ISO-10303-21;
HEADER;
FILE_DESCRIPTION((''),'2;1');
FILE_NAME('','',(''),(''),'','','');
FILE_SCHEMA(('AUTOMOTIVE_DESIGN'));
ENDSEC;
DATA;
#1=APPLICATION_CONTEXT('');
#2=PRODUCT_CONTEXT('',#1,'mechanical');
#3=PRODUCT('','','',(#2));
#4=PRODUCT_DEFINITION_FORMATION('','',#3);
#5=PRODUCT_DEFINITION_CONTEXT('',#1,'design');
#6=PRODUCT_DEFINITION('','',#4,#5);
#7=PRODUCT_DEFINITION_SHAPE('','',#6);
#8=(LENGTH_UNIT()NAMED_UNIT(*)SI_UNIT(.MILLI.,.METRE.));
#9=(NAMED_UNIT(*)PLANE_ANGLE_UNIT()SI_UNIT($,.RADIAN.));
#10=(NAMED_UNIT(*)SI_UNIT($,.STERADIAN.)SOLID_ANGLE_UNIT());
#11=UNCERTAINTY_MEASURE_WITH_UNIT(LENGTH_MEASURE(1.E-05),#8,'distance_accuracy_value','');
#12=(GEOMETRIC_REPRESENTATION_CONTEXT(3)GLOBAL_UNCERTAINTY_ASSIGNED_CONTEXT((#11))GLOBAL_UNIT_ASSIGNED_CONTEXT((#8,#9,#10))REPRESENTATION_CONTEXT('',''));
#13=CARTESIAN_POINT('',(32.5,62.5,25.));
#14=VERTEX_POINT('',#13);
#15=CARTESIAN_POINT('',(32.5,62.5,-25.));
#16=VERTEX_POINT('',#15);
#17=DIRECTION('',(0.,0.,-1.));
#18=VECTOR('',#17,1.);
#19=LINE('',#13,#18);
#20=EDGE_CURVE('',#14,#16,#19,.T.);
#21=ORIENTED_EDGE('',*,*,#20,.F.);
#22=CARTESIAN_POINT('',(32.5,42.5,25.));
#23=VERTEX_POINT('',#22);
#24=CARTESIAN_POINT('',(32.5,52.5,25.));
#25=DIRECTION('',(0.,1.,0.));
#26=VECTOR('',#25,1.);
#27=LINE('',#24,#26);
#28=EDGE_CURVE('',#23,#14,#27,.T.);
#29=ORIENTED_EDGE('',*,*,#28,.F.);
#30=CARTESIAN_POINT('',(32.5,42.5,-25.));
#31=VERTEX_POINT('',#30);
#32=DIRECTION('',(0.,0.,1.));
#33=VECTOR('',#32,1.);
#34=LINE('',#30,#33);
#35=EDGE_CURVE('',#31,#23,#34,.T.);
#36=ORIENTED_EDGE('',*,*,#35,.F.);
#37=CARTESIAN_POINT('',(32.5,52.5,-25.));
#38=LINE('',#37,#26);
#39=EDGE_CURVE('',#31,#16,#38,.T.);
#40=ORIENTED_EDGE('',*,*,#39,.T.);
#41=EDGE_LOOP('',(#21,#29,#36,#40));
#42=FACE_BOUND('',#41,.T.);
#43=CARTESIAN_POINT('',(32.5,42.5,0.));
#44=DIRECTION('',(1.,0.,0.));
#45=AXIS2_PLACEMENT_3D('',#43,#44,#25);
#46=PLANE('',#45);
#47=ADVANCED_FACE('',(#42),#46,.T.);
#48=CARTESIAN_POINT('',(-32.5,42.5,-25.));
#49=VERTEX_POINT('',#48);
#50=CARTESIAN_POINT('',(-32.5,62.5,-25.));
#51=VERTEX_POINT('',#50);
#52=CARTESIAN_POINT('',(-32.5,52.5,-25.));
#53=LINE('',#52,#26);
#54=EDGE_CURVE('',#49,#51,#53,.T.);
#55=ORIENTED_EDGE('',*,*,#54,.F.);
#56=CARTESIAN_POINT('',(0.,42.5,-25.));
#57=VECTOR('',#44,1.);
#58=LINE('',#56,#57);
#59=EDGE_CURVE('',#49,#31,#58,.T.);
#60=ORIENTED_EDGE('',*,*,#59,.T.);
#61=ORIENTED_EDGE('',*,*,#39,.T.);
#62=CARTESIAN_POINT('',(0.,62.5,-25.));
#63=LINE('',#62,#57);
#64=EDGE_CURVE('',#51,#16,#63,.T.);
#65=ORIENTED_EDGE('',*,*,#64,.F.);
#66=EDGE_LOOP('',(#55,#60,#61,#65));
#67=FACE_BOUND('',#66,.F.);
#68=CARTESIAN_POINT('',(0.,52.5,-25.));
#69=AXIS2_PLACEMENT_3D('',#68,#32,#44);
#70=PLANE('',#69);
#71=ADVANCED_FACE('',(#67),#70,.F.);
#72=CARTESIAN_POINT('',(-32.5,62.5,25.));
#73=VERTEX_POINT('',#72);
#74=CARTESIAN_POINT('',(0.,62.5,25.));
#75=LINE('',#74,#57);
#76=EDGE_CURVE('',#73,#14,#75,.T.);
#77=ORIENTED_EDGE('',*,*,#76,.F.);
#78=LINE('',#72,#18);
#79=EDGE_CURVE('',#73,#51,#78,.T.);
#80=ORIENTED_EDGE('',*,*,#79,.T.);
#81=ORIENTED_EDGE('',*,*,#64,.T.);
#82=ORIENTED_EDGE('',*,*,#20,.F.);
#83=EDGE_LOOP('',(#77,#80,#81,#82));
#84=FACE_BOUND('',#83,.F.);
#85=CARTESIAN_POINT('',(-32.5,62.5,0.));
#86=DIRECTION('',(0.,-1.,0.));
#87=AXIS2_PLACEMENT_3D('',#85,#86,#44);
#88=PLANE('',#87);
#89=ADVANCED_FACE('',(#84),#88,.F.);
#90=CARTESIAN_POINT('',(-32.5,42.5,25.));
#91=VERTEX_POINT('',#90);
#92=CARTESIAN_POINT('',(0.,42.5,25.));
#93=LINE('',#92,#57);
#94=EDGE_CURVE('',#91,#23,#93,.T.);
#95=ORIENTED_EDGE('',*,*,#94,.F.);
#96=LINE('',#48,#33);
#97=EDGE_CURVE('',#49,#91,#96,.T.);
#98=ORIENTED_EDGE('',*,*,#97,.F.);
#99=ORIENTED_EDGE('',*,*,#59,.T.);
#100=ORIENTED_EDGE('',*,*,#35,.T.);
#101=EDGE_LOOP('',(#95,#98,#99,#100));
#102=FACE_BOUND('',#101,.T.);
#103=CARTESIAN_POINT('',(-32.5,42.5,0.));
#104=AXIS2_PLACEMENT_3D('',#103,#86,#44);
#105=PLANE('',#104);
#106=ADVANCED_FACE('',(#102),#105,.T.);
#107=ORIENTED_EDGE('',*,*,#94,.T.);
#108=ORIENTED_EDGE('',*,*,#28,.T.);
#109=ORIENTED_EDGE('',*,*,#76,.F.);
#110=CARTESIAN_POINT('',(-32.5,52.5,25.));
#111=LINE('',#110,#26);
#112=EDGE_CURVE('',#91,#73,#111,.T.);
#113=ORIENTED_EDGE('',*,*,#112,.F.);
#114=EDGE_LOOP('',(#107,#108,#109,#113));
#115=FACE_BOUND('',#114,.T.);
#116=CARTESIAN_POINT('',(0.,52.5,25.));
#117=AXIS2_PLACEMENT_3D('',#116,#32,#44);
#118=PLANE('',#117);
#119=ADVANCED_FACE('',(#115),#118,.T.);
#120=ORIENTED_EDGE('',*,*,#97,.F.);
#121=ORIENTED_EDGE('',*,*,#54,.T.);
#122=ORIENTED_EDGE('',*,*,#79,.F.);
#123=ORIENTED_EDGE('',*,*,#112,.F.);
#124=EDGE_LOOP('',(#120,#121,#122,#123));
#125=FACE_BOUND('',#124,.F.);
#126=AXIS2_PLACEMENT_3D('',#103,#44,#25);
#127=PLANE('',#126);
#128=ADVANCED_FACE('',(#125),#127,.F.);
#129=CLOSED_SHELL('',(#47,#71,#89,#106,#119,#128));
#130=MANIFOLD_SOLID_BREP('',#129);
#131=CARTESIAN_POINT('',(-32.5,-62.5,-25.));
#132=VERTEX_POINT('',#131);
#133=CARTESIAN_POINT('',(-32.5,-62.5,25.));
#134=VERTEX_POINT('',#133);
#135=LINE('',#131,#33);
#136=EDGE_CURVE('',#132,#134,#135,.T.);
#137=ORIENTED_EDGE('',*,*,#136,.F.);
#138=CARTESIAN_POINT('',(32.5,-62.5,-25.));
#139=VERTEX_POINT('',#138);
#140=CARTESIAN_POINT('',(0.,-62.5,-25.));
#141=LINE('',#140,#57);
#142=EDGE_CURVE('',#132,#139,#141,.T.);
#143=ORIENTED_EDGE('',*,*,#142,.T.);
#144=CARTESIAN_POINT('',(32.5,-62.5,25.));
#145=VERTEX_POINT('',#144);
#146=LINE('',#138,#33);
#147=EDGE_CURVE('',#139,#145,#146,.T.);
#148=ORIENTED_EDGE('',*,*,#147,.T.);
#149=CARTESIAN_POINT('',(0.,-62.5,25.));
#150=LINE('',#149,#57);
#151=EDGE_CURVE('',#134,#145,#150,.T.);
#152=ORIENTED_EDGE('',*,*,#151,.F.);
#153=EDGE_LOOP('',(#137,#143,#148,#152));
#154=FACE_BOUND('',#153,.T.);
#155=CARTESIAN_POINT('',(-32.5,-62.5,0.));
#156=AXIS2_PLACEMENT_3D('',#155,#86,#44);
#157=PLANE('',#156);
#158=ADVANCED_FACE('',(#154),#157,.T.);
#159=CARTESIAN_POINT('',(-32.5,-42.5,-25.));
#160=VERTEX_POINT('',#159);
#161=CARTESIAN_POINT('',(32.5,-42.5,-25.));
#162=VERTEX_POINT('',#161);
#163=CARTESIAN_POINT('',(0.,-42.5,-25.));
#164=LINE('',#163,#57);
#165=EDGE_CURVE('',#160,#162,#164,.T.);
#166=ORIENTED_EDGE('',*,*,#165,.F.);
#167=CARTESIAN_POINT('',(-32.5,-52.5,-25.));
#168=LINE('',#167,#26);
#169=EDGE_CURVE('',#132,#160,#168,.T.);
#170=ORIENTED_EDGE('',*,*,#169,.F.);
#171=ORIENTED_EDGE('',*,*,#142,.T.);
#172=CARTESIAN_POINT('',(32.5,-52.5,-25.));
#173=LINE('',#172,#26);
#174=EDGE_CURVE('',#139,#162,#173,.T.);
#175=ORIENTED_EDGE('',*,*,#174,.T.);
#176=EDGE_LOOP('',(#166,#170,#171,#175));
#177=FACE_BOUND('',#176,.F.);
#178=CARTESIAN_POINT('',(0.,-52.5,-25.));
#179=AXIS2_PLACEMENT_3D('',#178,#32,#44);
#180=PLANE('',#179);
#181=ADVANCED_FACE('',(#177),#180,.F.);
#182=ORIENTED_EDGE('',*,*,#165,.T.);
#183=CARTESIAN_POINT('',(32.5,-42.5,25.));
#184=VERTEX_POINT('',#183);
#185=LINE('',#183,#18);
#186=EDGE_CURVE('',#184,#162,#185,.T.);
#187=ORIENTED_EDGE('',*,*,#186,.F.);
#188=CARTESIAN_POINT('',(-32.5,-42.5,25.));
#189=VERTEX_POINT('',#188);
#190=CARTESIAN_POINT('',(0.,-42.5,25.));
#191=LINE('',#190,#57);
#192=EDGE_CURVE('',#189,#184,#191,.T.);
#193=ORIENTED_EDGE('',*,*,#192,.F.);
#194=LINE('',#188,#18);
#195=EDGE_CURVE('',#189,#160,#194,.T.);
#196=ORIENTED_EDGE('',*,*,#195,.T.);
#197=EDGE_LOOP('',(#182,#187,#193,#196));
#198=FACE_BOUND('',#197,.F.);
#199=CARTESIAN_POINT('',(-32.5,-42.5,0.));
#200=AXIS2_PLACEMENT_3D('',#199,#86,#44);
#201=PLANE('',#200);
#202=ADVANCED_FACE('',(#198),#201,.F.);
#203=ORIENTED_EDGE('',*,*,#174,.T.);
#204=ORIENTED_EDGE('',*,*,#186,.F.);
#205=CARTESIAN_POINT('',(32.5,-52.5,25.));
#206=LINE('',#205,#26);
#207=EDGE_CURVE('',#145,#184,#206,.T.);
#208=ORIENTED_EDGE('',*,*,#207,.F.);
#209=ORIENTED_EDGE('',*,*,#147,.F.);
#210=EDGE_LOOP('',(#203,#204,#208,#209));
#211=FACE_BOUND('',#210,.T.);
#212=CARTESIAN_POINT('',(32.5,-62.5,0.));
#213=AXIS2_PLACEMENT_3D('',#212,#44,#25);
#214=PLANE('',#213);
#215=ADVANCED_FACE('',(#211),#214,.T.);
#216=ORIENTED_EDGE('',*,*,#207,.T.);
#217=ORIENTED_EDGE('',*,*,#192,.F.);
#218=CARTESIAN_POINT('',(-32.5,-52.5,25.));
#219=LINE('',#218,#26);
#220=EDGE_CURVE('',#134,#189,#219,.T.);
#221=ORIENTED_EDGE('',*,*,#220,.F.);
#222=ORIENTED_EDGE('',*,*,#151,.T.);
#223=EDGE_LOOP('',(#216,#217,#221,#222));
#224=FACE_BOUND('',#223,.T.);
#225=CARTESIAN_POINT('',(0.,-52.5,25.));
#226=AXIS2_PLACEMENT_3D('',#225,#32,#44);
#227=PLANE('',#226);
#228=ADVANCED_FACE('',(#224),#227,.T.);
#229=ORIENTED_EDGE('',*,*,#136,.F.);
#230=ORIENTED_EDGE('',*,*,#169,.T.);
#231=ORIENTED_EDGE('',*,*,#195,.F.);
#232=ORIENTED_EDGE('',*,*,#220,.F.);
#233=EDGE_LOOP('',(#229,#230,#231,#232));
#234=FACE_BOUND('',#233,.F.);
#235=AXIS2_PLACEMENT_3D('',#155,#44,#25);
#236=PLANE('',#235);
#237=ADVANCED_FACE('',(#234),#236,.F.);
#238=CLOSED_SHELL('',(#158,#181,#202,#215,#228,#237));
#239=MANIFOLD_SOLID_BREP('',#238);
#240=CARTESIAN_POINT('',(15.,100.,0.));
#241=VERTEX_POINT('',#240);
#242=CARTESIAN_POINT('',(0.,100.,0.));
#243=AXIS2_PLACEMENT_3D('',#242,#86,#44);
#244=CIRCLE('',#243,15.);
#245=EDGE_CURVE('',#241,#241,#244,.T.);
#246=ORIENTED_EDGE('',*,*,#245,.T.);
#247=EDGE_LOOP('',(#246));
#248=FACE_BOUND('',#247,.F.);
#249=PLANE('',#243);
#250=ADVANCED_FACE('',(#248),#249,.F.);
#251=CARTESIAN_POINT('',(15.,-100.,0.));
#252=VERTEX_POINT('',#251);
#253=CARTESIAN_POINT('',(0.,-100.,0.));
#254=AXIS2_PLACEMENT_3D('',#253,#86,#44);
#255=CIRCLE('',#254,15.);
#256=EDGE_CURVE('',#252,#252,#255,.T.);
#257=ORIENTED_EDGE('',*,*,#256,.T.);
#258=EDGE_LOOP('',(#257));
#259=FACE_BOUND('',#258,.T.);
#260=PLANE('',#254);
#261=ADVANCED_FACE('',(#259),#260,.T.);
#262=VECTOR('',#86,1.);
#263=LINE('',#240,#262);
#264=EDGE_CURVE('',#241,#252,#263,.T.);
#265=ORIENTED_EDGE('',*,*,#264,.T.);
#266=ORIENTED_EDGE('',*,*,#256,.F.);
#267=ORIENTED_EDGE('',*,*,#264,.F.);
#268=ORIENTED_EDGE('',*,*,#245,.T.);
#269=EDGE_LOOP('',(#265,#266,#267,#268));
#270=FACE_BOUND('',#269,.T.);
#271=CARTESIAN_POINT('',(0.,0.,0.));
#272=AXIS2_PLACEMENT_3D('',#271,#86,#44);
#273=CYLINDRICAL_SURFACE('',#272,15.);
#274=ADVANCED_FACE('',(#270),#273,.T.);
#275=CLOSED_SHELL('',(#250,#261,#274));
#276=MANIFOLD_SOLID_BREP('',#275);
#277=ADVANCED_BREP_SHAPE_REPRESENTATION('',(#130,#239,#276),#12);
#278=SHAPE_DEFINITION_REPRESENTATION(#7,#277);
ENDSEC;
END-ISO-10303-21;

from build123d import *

# Parameters (mm, degrees)
F0_R          = 15
F1_DEPTH      = 100
F2_W          = 65
F2_H          = 20
F3_DEPTH      = 25
F3_DEPTH_BACK = 25


with BuildPart() as f1:
    # F0 (on Front) → F1 (new body, symmetric)
    with BuildSketch(Plane.XZ):
        Circle(F0_R)
    extrude(amount=F1_DEPTH, both=True)


with BuildPart() as f3:
    # F2 (on Top) → F3 (new body, two sides)
    with BuildSketch(Plane.XY) as f3_sk:
        with Locations((0, 52.5)):
            Rectangle(F2_W, F2_H)
        with Locations((0, -52.5)):
            Rectangle(F2_W, F2_H)
    extrude(amount=F3_DEPTH)
    extrude(f3_sk.sketch, amount=-F3_DEPTH_BACK)


solid = Compound([f1.part, f3.part])
